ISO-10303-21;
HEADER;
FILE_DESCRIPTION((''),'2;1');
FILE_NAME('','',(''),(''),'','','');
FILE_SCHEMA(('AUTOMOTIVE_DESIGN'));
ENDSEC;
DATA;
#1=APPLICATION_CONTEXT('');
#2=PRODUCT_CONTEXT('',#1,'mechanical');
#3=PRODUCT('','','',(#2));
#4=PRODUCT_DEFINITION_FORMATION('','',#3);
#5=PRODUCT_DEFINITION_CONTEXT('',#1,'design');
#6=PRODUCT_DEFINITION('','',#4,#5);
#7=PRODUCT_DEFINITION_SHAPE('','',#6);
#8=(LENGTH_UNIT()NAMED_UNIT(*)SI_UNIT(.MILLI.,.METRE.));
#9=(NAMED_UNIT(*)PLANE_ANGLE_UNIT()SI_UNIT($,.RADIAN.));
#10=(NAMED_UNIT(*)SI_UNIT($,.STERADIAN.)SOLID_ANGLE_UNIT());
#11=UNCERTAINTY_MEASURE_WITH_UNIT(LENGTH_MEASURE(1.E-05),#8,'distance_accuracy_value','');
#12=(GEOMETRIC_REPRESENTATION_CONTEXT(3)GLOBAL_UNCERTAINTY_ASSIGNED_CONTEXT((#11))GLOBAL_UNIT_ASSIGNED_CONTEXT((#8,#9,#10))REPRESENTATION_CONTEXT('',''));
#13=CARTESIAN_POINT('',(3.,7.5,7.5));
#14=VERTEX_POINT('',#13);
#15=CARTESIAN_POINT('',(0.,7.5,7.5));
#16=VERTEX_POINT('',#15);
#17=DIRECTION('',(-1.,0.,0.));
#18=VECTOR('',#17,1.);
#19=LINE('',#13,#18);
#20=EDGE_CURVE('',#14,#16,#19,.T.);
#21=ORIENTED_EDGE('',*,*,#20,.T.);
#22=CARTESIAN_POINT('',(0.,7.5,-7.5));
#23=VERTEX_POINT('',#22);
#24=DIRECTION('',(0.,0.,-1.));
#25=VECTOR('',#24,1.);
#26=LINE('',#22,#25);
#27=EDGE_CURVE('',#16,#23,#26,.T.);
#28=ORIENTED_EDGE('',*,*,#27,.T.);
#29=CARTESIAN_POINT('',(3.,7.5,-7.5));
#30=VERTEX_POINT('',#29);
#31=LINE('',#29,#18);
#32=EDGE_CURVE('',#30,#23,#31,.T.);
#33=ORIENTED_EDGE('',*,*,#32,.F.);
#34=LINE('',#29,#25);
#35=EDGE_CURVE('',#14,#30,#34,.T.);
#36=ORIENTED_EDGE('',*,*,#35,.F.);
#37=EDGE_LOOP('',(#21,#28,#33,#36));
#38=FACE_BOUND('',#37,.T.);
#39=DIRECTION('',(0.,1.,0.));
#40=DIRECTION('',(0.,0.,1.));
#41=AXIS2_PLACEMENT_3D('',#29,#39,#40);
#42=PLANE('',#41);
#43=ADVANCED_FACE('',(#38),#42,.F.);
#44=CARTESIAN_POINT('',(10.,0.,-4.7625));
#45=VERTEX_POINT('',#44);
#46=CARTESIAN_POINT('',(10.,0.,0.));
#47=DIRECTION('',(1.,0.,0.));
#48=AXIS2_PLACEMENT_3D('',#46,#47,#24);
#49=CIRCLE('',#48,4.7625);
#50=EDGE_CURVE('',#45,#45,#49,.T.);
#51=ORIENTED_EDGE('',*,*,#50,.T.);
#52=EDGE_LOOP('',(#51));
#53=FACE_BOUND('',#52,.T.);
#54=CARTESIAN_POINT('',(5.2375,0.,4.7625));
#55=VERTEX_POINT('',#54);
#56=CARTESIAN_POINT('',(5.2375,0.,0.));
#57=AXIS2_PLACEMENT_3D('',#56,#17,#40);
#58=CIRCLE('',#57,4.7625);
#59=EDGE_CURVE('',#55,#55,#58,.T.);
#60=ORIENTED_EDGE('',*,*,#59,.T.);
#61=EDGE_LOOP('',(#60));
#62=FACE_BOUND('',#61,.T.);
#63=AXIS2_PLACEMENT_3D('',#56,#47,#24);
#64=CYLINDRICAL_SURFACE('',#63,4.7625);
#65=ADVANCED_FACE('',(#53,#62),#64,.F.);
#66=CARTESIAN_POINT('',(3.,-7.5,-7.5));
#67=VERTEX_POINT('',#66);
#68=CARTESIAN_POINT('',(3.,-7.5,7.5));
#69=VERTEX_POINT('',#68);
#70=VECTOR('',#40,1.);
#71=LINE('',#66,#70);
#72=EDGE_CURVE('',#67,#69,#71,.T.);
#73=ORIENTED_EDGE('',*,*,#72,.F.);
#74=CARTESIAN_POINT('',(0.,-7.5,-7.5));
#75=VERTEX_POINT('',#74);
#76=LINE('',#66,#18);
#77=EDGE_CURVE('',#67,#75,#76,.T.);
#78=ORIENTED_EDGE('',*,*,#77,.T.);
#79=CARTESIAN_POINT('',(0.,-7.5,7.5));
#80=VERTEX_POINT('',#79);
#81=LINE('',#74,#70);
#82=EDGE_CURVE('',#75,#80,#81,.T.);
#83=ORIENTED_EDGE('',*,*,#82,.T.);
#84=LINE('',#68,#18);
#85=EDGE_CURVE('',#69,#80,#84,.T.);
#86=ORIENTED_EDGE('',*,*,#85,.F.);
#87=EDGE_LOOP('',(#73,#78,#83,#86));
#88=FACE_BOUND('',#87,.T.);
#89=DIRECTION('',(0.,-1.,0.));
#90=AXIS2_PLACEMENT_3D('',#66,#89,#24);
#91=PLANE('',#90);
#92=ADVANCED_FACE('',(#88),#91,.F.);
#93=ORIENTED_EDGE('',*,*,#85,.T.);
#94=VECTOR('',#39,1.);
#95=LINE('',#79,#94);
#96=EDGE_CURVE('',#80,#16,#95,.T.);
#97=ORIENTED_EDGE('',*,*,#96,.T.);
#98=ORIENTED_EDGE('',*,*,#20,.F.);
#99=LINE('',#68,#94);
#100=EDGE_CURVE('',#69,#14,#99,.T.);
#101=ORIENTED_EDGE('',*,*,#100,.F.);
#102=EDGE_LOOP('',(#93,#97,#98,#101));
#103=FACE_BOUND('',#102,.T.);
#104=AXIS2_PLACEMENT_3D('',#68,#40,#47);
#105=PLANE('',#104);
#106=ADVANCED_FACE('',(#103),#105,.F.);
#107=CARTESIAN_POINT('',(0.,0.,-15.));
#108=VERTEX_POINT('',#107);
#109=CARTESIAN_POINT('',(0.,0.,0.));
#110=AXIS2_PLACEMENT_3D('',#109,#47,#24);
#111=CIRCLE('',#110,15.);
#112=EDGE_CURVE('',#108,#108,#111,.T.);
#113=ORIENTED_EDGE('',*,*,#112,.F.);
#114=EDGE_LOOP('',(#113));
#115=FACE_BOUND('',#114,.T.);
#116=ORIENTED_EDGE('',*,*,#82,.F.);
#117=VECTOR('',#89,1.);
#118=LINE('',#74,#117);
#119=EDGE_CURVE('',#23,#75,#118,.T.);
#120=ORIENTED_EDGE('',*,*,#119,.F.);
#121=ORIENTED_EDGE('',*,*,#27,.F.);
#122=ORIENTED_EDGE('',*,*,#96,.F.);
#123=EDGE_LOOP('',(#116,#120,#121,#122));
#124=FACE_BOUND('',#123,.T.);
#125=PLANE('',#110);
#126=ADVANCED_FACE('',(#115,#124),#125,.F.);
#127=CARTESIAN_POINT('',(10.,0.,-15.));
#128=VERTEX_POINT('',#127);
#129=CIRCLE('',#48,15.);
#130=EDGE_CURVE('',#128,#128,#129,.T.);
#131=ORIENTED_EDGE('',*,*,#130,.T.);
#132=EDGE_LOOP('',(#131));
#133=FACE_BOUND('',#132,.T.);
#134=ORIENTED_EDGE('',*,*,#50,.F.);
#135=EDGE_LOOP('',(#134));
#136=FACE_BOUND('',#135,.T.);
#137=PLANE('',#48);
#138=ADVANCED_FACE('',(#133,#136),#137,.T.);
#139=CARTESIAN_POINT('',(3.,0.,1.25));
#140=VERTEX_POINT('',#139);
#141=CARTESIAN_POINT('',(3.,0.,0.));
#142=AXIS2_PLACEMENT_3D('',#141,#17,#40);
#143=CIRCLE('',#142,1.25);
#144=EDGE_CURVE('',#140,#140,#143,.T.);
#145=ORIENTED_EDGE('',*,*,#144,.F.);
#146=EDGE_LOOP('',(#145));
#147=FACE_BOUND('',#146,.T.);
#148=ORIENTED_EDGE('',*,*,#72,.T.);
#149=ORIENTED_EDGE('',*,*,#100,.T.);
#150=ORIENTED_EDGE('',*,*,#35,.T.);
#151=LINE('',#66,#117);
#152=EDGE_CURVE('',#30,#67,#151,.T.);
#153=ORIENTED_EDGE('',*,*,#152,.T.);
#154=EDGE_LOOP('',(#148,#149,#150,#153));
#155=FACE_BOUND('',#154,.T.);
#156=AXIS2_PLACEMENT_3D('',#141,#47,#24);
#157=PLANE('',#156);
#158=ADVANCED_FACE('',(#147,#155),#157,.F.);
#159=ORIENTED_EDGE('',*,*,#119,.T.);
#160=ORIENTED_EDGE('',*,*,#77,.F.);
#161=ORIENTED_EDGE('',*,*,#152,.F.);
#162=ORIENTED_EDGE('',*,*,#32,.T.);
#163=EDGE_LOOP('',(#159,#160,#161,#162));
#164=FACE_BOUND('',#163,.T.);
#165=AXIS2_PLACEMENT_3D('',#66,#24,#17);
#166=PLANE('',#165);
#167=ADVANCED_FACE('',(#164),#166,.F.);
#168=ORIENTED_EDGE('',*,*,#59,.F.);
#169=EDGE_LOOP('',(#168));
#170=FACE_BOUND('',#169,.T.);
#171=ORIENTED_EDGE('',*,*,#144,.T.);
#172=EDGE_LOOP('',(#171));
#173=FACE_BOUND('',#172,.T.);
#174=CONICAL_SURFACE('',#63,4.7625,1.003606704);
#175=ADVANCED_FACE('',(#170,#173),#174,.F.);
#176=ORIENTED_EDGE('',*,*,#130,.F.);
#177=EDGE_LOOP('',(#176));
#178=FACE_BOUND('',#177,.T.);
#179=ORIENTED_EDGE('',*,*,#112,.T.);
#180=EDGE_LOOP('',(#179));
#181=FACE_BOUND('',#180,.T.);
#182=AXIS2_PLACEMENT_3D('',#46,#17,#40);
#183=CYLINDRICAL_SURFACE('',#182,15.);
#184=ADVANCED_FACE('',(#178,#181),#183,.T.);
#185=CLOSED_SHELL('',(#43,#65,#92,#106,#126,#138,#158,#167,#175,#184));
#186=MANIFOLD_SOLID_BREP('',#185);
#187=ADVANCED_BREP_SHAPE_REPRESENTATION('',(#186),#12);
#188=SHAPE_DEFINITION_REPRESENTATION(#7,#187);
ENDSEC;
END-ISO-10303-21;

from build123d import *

# Parameters (mm, degrees)
SKETCH1_R           = 15
BOSS_EXTRUDE1_DEPTH = 10
SKETCH2_W           = 15
SKETCH2_H           = 15
CUT_EXTRUDE1_DEPTH  = 3
SKETCH3_R           = 4.7625
CUT_EXTRUDE2_DEPTH  = 4.7625


with BuildPart() as part:
    # Sketch1 → Boss-Extrude1 (new body)
    with BuildSketch(Plane(origin=(0, 0, 0), x_dir=(0, 0, -1), z_dir=(1, 0, 0))):
        Circle(SKETCH1_R)
    extrude(amount=BOSS_EXTRUDE1_DEPTH)

    # Sketch2 → Cut-Extrude1 (cut)
    with BuildSketch(Plane.ZY):
        Rectangle(SKETCH2_W, SKETCH2_H)
    extrude(amount=-CUT_EXTRUDE1_DEPTH, mode=Mode.SUBTRACT)

    # Sketch3 → Cut-Extrude2 (cut)
    with BuildSketch(Plane(origin=(10, 0, 0), x_dir=(0, 0, -1), z_dir=(1, 0, 0))):
        Circle(SKETCH3_R)
    extrude(amount=-CUT_EXTRUDE2_DEPTH, mode=Mode.SUBTRACT)

    # Sketch4 → Cut-Revolve1 (revolve, cut)
    with BuildSketch(Plane.XY):
        Polygon((5.2375, 4.7625), (3, 1.25), (3, 0), (5.2375, 0), align=None)
    revolve(axis=Axis((5.2375, 0, 0), (1, 0, 0)), mode=Mode.SUBTRACT)


solid = part.part
